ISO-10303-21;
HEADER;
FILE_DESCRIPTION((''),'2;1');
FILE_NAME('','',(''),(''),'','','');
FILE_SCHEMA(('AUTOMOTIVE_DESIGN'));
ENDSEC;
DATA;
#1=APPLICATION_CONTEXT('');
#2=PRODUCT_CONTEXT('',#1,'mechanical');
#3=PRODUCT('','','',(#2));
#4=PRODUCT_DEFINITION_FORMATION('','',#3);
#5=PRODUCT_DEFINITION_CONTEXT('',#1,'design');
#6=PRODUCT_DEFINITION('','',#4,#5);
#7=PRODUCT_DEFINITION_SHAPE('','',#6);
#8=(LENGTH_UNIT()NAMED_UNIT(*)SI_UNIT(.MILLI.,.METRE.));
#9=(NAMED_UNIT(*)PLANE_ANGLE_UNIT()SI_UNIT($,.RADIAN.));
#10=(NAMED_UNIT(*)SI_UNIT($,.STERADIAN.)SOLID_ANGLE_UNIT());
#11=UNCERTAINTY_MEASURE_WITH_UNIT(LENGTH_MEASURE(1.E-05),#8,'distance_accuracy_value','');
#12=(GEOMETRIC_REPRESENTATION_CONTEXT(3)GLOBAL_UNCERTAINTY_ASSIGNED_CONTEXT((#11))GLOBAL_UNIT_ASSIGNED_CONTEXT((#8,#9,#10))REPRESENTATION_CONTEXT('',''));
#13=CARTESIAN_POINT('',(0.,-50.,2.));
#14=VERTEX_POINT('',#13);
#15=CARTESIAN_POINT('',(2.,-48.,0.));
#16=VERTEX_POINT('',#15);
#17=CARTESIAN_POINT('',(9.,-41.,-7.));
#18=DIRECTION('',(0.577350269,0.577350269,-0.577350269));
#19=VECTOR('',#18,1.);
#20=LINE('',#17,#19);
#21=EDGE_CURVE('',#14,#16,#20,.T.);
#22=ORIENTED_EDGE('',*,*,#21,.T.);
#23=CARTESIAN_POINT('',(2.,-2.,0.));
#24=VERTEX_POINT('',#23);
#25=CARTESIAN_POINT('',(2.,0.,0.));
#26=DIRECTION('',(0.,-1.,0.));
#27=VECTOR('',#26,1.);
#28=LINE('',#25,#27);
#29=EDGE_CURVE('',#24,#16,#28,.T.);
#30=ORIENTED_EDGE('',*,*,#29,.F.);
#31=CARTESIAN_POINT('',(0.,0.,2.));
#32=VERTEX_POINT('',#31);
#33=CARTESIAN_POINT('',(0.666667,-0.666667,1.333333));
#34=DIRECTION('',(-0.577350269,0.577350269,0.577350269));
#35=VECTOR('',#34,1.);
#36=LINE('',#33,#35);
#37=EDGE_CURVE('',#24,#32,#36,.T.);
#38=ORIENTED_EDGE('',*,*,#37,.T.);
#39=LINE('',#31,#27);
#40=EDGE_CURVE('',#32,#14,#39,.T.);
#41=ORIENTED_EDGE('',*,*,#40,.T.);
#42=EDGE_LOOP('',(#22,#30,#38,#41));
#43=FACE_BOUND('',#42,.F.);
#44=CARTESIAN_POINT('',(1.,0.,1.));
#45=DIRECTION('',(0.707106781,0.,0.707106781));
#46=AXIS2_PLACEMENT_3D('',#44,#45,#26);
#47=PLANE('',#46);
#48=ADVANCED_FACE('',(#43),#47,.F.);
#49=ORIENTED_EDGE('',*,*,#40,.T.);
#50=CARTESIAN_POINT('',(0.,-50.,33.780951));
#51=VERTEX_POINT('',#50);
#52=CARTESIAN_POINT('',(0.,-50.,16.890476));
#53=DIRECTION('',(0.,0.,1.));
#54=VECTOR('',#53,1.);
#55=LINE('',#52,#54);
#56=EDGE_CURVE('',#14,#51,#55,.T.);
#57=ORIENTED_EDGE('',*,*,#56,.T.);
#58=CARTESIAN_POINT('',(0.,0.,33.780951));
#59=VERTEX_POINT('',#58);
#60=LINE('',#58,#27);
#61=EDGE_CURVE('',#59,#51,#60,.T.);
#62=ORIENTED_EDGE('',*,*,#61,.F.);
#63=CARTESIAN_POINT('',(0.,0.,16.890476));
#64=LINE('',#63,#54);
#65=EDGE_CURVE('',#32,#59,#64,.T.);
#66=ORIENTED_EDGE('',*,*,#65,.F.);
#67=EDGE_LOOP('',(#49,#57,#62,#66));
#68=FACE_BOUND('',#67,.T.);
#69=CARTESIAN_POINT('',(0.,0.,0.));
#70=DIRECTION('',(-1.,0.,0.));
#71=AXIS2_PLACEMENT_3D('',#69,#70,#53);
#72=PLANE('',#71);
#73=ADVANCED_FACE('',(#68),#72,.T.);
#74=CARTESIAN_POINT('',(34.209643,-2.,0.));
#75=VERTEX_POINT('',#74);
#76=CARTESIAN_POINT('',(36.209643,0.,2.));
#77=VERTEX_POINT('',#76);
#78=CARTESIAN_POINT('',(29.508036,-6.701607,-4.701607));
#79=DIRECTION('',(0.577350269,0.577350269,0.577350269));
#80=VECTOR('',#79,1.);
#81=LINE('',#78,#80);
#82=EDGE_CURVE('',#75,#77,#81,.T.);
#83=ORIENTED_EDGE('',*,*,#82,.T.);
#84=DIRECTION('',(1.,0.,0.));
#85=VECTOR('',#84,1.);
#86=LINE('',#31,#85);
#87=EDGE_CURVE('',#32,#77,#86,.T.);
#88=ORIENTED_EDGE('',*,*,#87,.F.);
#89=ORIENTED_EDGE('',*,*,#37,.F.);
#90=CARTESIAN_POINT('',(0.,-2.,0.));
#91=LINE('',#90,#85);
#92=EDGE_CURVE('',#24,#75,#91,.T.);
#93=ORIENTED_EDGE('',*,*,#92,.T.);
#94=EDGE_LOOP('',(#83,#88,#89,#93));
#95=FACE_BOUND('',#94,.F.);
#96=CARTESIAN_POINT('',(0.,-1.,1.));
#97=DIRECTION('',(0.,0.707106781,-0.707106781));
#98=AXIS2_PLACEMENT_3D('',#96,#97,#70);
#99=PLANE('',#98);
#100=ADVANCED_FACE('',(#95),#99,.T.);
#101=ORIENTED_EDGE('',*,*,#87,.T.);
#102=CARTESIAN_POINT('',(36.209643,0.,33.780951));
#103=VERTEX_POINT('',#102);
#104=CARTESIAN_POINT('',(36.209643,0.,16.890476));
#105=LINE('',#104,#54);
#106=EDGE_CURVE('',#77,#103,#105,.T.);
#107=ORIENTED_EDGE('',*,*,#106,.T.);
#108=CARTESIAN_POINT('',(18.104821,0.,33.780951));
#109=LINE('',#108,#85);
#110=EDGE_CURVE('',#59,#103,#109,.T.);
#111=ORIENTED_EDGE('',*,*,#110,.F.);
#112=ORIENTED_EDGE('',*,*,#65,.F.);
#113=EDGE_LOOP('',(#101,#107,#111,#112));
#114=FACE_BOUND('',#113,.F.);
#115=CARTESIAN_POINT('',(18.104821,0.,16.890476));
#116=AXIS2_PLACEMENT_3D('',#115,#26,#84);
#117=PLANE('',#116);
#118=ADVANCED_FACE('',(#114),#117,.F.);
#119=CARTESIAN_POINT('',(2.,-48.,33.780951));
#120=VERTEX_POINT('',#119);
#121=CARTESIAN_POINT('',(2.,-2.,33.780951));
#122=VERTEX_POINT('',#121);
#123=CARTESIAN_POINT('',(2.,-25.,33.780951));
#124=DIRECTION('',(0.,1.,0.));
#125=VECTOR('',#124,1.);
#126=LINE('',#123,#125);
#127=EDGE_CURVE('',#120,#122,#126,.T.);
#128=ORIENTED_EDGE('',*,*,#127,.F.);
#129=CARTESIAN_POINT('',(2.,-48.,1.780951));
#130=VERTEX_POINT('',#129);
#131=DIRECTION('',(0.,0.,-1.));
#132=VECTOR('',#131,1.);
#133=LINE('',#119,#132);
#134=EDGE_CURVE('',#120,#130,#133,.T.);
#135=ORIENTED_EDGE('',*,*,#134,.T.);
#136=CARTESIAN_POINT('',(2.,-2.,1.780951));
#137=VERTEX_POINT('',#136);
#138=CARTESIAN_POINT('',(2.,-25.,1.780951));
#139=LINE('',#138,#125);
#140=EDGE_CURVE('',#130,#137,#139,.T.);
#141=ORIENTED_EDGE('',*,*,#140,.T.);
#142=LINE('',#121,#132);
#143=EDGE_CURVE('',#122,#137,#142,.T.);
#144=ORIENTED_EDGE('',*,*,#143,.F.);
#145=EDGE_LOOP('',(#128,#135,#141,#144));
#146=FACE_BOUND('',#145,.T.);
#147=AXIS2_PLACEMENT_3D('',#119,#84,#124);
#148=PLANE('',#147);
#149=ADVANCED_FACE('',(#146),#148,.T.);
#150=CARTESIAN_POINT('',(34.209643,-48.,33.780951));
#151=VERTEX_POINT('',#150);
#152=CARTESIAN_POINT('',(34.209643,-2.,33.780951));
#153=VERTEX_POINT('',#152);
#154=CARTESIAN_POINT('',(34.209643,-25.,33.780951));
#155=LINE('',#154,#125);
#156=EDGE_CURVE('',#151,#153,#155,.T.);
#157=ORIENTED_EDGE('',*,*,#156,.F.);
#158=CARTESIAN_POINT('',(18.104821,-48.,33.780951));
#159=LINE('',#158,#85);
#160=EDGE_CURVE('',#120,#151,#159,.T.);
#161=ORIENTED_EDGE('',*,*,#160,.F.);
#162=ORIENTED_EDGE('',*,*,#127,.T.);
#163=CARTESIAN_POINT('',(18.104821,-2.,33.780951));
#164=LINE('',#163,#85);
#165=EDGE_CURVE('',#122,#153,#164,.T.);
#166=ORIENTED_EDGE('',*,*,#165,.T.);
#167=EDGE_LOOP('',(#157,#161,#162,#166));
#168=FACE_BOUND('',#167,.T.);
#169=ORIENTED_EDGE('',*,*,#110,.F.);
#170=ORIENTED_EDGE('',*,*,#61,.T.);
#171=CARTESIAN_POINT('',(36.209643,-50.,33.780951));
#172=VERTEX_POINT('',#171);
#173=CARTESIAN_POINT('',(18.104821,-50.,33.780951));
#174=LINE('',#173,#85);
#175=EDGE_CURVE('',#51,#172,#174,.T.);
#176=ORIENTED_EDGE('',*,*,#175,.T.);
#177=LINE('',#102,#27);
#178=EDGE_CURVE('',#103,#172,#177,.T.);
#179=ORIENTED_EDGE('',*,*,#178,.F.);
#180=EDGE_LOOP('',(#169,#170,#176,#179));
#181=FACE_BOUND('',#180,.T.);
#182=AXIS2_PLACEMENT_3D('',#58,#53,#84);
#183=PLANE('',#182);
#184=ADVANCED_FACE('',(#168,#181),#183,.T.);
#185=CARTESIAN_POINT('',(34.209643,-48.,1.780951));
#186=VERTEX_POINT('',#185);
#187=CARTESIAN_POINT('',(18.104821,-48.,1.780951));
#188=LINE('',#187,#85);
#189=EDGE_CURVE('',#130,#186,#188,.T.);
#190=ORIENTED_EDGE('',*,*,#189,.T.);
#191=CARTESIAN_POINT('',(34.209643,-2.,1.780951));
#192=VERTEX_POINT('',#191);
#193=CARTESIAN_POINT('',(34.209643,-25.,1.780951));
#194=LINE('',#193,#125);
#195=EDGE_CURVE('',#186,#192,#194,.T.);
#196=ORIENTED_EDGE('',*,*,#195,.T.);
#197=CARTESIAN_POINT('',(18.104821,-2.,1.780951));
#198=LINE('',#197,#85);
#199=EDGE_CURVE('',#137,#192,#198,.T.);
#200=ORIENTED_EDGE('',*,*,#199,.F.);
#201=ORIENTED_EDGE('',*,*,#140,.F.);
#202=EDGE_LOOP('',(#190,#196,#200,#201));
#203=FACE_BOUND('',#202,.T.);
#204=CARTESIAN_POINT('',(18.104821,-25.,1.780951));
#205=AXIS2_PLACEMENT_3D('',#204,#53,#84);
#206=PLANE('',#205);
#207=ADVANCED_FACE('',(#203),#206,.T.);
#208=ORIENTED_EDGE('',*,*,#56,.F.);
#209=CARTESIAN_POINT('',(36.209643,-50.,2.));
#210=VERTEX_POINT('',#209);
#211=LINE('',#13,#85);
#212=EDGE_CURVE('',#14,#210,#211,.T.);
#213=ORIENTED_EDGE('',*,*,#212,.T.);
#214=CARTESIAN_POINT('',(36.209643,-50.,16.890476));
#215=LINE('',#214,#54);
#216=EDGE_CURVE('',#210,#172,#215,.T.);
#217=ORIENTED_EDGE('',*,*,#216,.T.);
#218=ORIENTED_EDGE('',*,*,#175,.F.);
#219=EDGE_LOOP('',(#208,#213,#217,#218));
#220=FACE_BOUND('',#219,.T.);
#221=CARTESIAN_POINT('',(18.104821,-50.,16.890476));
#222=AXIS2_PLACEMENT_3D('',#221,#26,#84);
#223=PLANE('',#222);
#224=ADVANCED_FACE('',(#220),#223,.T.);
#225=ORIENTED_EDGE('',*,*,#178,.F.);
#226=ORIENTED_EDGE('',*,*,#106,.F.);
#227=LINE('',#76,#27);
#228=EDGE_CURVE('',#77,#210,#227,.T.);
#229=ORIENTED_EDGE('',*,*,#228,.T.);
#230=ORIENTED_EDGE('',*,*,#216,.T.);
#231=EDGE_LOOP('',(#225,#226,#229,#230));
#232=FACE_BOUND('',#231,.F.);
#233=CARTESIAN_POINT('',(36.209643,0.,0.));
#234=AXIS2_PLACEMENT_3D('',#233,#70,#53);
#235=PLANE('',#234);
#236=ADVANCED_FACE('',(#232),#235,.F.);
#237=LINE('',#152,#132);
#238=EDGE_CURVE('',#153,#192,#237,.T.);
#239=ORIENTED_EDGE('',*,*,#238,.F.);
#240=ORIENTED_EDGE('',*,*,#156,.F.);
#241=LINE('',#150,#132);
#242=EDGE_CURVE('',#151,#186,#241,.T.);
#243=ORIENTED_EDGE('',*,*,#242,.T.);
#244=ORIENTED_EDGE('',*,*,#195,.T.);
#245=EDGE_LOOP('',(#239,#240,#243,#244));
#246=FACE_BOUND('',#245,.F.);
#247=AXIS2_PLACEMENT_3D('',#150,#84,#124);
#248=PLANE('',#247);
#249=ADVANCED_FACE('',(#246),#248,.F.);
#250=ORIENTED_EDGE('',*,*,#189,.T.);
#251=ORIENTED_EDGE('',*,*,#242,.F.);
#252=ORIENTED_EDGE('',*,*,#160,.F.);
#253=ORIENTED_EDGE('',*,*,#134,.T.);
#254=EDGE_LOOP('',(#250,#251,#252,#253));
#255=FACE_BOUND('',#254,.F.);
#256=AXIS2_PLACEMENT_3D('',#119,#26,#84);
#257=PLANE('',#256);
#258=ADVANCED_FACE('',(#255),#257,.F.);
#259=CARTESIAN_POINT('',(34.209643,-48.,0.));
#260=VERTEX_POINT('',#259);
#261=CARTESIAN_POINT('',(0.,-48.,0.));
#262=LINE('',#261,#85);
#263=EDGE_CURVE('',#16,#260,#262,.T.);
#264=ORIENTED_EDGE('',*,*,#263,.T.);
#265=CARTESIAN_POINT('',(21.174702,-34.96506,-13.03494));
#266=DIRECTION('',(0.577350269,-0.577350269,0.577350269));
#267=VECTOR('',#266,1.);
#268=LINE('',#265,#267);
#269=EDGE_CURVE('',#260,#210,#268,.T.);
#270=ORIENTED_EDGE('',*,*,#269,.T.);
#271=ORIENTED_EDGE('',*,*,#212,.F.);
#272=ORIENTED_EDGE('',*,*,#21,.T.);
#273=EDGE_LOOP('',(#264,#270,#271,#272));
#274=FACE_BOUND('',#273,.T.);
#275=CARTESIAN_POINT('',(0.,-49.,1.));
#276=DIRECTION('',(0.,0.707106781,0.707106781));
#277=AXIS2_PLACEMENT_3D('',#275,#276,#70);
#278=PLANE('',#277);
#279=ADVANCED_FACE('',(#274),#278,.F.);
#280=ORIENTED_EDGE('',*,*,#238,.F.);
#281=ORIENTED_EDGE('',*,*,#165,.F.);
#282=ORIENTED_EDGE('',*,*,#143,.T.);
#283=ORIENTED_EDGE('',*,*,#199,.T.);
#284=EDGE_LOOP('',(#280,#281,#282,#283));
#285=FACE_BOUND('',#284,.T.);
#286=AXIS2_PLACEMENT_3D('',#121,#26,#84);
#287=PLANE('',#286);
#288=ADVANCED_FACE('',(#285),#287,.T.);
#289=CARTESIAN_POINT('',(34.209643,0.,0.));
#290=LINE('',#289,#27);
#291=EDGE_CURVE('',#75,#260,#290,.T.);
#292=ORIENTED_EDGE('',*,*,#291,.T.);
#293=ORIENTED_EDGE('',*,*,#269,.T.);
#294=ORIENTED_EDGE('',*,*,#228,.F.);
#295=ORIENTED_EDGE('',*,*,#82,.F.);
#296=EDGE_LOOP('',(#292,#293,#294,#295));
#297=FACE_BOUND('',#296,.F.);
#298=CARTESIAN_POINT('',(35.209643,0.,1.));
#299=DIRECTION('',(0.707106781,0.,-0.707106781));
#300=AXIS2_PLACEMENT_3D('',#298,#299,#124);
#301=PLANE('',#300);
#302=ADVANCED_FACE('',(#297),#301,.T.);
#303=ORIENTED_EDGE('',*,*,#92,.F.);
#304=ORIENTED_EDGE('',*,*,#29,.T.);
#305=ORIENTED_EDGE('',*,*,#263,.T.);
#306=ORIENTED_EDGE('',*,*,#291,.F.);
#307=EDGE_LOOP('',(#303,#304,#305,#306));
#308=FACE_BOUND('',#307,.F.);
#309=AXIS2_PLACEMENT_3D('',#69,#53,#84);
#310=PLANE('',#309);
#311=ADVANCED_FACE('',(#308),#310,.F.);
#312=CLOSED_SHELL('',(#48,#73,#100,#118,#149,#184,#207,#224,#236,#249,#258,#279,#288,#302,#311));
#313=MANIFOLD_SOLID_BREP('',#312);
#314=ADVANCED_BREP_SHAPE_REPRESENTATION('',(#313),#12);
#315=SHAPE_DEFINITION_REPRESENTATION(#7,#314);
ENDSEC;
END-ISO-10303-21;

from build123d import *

# Parameters (mm, degrees)
F0_W     = 36.2096428871
F0_H     = 33.7809510529
F1_DEPTH = 50
F2_W     = 32.2096428871
F2_H     = 46
F3_DEPTH = 32
F4_SIZE  = 2


with BuildPart() as f1:
    # F0 (on Front) → F1 (new body)
    with BuildSketch(Plane.XZ):
        with Locations((18.1048214436, 16.8904755265)):
            Rectangle(F0_W, F0_H)
    extrude(amount=F1_DEPTH)

    # F2 (on face) → F3 (cut)
    with BuildSketch(Plane.XY.offset(33.7809510529)):
        with Locations((18.1048214436, -25)):
            Rectangle(F2_W, F2_H)
    extrude(amount=-F3_DEPTH, mode=Mode.SUBTRACT)

    # F4
    f4_edges = [f1.edges().sort_by_distance(p)[0] for p in [
        (18.104821, 0, 0),
        (0, -25, 0),
        (36.209643, -25, 0),
        (18.104821, -50, 0),
    ]]
    chamfer(f4_edges, length=F4_SIZE)


solid = f1.part
